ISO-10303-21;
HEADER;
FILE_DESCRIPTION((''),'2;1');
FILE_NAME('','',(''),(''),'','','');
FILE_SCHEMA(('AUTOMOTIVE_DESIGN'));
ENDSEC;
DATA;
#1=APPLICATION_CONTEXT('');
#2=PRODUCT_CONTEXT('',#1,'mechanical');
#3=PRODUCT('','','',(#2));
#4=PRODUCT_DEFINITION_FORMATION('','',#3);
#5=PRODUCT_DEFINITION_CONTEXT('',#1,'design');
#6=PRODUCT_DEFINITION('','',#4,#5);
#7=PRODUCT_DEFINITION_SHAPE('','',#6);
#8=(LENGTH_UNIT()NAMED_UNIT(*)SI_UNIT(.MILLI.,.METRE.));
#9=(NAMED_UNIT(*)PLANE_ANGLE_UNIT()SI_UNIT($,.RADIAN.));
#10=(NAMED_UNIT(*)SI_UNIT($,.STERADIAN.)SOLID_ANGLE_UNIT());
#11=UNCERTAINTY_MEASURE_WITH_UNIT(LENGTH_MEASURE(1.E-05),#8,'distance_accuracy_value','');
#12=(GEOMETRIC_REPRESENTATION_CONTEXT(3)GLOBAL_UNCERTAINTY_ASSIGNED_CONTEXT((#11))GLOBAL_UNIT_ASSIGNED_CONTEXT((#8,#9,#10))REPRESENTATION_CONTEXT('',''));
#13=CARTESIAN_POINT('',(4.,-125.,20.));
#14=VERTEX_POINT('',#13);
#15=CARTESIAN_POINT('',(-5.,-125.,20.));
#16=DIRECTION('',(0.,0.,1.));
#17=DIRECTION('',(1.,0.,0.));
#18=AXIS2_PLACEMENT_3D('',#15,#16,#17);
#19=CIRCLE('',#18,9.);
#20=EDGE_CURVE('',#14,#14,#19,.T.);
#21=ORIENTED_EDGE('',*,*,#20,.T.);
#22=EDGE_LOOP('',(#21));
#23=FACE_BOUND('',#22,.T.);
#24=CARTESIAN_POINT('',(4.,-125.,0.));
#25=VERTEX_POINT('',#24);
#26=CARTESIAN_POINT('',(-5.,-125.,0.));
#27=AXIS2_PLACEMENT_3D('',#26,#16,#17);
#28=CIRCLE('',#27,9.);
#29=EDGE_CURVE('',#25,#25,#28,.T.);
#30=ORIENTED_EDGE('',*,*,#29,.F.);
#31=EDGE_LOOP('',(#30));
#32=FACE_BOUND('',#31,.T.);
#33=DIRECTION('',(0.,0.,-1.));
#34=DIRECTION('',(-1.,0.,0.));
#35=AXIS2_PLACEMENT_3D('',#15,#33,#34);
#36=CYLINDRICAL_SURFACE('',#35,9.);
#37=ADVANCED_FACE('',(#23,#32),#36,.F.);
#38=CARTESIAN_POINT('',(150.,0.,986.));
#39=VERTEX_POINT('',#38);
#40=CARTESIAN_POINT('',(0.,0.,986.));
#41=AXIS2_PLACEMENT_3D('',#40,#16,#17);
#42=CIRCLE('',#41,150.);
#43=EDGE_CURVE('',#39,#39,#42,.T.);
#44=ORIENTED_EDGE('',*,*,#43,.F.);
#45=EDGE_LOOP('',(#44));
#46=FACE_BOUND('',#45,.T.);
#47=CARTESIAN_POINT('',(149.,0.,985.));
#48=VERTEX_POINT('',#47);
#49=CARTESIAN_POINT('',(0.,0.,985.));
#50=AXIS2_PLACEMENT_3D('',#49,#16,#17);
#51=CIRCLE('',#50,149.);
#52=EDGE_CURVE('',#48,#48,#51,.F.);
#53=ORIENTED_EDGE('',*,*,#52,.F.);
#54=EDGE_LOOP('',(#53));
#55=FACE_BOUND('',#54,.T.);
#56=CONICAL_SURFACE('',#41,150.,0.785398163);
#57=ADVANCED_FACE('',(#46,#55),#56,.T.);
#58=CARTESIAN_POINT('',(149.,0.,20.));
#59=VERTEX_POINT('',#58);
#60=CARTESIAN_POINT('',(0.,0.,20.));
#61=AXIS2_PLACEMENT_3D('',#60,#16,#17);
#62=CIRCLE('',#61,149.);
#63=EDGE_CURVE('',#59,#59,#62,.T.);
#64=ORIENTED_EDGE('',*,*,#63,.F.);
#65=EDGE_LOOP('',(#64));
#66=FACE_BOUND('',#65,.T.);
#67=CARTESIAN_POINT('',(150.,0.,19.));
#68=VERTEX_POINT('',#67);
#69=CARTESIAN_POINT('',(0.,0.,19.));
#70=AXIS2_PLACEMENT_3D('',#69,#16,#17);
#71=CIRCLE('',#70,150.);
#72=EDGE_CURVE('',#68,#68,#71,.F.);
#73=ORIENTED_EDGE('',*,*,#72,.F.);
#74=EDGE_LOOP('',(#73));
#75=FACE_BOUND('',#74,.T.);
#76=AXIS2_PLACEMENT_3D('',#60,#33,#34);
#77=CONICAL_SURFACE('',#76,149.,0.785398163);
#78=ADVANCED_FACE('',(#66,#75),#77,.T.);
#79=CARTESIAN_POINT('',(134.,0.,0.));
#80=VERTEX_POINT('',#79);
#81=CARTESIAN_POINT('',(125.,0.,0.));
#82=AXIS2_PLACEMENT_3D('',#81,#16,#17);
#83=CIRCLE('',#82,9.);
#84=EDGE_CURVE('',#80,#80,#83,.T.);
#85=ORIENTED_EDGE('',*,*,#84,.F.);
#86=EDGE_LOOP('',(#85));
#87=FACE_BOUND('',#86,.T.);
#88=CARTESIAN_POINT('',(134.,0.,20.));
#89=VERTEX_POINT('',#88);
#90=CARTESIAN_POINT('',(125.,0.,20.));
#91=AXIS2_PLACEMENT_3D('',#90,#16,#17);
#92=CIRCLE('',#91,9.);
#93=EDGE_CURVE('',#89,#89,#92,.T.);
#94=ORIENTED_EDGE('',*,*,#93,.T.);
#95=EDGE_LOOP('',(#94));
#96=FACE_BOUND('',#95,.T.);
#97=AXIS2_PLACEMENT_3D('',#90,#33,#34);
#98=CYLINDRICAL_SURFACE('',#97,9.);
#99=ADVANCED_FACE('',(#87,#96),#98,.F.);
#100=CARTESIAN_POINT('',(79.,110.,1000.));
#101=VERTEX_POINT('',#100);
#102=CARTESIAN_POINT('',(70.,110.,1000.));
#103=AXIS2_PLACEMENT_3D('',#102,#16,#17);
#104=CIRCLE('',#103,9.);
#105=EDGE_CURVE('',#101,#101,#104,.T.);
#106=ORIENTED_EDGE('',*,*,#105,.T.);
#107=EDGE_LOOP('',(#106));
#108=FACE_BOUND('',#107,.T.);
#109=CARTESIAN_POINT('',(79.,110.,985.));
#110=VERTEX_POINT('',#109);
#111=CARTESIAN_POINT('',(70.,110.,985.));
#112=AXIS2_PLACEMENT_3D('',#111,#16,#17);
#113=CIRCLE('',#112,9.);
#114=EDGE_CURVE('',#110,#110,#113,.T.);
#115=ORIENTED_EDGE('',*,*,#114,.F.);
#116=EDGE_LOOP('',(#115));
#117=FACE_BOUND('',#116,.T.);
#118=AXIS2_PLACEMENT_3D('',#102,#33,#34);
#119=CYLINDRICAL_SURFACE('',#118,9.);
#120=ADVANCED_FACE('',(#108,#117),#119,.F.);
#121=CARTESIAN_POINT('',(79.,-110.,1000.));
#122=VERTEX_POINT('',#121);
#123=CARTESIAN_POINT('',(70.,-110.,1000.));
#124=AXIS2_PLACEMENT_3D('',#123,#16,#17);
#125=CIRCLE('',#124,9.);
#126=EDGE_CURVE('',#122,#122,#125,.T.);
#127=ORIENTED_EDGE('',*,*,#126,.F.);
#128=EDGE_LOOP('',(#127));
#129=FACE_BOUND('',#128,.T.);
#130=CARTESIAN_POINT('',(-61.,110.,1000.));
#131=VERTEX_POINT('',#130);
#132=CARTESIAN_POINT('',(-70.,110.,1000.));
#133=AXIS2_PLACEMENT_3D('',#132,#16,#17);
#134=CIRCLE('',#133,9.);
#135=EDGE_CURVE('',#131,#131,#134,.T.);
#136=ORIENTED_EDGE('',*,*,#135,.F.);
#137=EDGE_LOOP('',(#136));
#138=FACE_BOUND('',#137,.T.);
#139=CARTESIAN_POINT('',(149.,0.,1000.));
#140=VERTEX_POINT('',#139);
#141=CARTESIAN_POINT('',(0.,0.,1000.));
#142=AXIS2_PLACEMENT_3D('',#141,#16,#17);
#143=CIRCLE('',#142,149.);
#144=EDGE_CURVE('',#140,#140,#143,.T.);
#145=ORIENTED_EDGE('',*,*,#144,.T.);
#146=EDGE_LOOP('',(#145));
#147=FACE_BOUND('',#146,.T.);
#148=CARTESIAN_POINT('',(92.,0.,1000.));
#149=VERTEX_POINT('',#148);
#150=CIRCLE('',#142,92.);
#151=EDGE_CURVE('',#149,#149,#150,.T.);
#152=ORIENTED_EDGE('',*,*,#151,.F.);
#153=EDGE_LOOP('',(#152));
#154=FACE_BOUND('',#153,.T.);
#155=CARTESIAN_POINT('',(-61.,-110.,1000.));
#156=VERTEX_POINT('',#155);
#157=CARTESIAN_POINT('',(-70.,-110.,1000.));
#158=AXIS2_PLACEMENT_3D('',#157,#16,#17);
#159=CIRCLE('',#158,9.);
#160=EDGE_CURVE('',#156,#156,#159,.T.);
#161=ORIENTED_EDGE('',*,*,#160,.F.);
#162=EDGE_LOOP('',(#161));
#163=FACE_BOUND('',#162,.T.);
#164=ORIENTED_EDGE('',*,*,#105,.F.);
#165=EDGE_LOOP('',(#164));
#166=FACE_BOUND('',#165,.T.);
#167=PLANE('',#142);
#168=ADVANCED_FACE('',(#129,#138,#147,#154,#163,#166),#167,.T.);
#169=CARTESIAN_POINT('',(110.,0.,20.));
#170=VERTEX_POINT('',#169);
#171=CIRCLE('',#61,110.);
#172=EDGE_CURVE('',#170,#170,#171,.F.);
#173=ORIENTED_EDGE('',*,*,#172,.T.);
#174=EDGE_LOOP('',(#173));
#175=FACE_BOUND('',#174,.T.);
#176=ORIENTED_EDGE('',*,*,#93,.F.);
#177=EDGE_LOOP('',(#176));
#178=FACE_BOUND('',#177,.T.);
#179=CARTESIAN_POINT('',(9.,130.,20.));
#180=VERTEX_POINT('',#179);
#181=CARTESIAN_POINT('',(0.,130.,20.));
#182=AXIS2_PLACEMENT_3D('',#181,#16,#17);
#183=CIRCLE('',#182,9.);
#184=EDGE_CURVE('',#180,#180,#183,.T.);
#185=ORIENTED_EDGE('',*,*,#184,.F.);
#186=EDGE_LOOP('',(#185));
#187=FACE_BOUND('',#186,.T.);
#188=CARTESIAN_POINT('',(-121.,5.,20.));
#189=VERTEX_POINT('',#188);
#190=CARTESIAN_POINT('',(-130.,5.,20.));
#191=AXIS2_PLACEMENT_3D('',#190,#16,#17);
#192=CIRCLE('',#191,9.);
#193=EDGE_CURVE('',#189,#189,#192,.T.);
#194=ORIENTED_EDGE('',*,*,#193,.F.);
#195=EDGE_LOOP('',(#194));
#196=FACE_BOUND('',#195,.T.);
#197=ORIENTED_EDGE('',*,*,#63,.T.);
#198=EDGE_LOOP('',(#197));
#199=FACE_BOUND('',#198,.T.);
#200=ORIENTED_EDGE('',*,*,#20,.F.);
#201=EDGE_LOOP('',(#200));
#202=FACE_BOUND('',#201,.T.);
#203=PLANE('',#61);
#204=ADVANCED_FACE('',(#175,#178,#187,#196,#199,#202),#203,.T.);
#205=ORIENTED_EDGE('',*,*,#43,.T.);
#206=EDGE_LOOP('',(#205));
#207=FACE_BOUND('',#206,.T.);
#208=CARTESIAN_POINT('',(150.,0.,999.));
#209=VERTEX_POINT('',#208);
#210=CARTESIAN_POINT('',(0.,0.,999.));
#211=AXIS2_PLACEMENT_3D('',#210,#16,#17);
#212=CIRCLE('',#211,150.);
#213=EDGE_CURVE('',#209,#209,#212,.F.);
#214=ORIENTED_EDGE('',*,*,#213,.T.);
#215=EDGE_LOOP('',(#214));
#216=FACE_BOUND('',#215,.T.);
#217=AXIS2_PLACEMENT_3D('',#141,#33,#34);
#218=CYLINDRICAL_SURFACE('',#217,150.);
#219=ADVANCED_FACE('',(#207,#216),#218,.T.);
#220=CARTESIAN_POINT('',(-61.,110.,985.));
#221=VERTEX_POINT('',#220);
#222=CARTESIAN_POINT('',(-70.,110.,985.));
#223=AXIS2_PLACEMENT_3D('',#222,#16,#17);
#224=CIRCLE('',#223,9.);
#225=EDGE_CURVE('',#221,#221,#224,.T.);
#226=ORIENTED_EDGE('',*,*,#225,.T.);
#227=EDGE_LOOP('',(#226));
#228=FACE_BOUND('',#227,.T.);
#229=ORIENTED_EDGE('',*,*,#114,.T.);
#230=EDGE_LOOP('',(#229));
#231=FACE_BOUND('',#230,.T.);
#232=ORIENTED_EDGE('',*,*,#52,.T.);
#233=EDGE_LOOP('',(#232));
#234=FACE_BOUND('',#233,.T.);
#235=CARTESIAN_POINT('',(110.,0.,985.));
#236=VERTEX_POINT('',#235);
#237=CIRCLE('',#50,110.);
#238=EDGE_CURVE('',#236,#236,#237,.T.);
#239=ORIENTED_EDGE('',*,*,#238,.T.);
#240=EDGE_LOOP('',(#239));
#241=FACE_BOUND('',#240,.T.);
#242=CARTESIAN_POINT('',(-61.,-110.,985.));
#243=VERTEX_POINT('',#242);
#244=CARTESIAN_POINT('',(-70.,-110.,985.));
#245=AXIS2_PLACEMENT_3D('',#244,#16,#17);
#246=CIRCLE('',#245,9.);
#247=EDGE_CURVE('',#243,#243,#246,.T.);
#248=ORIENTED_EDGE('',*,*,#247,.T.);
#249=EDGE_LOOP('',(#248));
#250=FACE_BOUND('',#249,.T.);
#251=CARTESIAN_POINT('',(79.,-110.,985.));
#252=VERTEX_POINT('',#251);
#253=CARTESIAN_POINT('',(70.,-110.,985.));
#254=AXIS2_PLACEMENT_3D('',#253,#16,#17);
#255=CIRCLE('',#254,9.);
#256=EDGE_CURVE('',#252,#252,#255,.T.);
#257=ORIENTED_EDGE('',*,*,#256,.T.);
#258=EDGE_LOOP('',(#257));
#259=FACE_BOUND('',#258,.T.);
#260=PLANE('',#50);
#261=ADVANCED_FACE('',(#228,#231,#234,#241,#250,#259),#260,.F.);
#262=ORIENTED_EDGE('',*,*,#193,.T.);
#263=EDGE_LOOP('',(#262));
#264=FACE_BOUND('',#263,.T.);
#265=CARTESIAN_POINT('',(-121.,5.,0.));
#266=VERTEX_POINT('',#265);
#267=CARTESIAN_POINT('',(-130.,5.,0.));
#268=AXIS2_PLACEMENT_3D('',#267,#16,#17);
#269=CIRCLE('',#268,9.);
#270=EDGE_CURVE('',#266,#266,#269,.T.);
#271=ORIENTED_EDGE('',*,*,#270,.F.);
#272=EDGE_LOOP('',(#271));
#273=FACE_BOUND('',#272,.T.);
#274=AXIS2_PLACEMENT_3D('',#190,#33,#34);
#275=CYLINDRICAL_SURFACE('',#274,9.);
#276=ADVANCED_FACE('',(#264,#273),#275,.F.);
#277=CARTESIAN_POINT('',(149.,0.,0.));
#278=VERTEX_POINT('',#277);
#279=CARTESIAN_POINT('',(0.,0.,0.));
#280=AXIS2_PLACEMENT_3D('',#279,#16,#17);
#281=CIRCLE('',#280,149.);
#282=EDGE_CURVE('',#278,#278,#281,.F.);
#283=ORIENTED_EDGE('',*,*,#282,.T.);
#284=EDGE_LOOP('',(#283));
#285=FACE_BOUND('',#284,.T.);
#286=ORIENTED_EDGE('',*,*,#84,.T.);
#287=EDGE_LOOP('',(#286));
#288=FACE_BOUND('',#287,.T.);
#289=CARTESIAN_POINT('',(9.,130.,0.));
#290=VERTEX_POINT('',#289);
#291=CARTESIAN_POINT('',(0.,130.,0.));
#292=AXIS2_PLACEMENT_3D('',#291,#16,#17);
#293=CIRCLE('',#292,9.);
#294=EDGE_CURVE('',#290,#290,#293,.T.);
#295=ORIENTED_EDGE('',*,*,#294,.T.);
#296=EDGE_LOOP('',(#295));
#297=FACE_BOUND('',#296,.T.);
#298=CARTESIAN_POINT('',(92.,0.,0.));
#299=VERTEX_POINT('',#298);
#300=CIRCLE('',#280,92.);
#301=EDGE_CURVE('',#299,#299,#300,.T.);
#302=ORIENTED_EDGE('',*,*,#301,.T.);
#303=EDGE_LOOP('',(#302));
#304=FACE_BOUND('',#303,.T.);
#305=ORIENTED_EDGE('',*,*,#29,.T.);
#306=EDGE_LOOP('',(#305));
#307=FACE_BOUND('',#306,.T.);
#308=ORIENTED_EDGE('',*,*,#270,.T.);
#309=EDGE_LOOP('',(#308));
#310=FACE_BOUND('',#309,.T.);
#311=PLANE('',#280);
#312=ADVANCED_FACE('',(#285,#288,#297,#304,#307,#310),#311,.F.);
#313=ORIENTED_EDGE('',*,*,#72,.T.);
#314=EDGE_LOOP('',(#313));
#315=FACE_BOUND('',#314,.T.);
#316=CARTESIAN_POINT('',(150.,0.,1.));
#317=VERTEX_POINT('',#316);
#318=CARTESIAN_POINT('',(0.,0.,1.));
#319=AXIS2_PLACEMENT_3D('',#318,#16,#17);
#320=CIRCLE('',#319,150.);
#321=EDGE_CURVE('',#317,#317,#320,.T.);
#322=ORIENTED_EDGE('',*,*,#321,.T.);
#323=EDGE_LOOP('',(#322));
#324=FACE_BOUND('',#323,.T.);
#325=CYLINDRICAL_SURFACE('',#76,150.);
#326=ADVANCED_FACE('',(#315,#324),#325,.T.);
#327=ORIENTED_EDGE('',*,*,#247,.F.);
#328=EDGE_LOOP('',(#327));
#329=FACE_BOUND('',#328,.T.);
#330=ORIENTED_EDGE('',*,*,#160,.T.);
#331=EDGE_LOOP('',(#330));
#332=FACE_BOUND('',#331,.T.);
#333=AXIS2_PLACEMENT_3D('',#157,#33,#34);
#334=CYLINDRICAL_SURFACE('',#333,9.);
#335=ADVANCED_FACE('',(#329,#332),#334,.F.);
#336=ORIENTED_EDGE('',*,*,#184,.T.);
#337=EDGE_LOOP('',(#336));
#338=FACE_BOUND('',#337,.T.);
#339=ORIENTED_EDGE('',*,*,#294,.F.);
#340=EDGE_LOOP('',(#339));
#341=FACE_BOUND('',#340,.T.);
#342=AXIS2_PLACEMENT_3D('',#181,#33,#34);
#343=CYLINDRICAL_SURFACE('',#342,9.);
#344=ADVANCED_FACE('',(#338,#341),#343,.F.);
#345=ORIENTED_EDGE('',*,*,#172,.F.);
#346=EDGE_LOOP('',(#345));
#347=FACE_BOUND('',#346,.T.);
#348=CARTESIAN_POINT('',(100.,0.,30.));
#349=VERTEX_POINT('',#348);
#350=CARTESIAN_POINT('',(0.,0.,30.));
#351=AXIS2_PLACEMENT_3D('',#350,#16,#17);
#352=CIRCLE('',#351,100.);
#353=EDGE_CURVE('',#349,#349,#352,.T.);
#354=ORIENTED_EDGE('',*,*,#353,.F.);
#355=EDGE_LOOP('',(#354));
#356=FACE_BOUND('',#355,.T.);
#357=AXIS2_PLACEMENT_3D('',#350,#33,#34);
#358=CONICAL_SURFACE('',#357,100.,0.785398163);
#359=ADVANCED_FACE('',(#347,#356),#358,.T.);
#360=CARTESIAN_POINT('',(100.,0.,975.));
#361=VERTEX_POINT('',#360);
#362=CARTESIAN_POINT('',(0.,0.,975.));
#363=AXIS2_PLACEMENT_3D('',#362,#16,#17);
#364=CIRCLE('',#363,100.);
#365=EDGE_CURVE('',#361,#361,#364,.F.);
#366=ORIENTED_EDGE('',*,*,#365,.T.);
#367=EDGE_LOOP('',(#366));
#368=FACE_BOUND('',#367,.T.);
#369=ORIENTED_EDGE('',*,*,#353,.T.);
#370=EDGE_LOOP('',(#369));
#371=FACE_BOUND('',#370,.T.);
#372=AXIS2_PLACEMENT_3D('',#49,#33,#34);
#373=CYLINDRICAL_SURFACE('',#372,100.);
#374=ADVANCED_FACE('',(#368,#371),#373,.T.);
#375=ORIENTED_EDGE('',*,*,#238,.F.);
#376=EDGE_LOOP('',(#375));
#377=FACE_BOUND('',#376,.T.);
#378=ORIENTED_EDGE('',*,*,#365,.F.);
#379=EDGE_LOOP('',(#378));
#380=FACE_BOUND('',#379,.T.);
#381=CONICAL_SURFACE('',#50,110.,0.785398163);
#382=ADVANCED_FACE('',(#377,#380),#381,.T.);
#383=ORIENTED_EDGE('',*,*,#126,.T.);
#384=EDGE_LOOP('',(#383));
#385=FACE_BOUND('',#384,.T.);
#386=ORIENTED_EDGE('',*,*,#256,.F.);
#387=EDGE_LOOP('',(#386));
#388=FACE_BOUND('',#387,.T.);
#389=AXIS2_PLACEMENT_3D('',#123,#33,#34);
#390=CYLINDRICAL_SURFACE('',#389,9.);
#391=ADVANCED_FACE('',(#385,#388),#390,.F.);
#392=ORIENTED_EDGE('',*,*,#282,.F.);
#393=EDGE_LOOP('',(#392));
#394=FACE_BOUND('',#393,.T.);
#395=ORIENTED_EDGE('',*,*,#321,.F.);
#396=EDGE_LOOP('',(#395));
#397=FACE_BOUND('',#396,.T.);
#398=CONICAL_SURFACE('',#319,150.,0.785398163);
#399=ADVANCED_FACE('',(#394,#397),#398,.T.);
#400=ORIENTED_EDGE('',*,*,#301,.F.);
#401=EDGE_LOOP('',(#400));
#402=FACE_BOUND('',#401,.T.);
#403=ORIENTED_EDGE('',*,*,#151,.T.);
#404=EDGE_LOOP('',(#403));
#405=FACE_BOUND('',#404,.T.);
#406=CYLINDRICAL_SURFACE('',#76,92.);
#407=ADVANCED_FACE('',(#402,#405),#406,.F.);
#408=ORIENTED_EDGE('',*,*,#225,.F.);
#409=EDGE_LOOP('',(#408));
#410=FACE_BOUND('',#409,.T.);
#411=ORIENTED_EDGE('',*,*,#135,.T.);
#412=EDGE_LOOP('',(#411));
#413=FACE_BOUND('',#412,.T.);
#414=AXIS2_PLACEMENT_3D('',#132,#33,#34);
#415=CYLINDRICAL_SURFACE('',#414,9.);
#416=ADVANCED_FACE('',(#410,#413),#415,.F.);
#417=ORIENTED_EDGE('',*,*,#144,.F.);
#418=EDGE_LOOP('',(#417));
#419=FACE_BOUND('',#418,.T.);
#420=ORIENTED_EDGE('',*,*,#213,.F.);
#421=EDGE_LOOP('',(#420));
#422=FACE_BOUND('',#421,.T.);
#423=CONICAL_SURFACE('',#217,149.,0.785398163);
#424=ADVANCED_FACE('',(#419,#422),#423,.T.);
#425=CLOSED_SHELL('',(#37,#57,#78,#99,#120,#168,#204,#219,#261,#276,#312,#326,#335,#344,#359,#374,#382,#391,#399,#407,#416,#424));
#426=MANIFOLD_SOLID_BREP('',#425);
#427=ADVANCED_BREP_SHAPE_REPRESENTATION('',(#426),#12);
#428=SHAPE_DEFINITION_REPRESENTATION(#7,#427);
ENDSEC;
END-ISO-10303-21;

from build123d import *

# Parameters (mm, degrees)
SKIZZE1_R                       = 150
SKIZZE1_R_2                     = 92
SKIZZE1_R_3                     = 9
AUFSATZ_LINEAR_AUSTRAGEN1_DEPTH = 20
SKIZZE2_R                       = 100
SKIZZE2_R_2                     = 92
AUFSATZ_LINEAR_AUSTRAGEN2_DEPTH = 965
SKIZZE3_R                       = 150
SKIZZE3_R_2                     = 92
SKIZZE3_R_3                     = 9
AUFSATZ_LINEAR_AUSTRAGEN3_DEPTH = 15
FASE1_SIZE                      = 10
FASE2_SIZE                      = 1


with BuildPart() as part:
    # Skizze1 → Aufsatz-Linear austragen1 (new body)
    with BuildSketch(Plane.XY):
        Circle(SKIZZE1_R)
        Circle(SKIZZE1_R_2, mode=Mode.SUBTRACT)
        with Locations((0, 130)):
            Circle(SKIZZE1_R_3, mode=Mode.SUBTRACT)
        with Locations((125, 0)):
            Circle(SKIZZE1_R_3, mode=Mode.SUBTRACT)
        with Locations((-5, -125)):
            Circle(SKIZZE1_R_3, mode=Mode.SUBTRACT)
        with Locations((-130, 5)):
            Circle(SKIZZE1_R_3, mode=Mode.SUBTRACT)
    extrude(amount=AUFSATZ_LINEAR_AUSTRAGEN1_DEPTH)

    # Skizze2 → Aufsatz-Linear austragen2 (add)
    with BuildSketch(Plane.XY.offset(20)):
        Circle(SKIZZE2_R)
        Circle(SKIZZE2_R_2, mode=Mode.SUBTRACT)
    extrude(amount=AUFSATZ_LINEAR_AUSTRAGEN2_DEPTH)

    # Skizze3 → Aufsatz-Linear austragen3 (add)
    with BuildSketch(Plane.XY.offset(985)):
        Circle(SKIZZE3_R)
        Circle(SKIZZE3_R_2, mode=Mode.SUBTRACT)
        with Locations((-70, 110)):
            Circle(SKIZZE3_R_3, mode=Mode.SUBTRACT)
        with Locations((70, 110)):
            Circle(SKIZZE3_R_3, mode=Mode.SUBTRACT)
        with Locations((70, -110)):
            Circle(SKIZZE3_R_3, mode=Mode.SUBTRACT)
        with Locations((-70, -110)):
            Circle(SKIZZE3_R_3, mode=Mode.SUBTRACT)
    extrude(amount=AUFSATZ_LINEAR_AUSTRAGEN3_DEPTH)

    # Fase1
    fase1_edges = [part.edges().sort_by_distance(p)[0] for p in [
        (-100, 0, 985),
        (-100, 0, 20),
    ]]
    chamfer(fase1_edges, length=FASE1_SIZE)

    # Fase2
    fase2_edges = [part.edges().sort_by_distance(p)[0] for p in [
        (-150, 0, 0),
        (-150, 0, 1000),
        (-150, 0, 985),
        (-150, 0, 20),
    ]]
    chamfer(fase2_edges, length=FASE2_SIZE)


solid = part.part
